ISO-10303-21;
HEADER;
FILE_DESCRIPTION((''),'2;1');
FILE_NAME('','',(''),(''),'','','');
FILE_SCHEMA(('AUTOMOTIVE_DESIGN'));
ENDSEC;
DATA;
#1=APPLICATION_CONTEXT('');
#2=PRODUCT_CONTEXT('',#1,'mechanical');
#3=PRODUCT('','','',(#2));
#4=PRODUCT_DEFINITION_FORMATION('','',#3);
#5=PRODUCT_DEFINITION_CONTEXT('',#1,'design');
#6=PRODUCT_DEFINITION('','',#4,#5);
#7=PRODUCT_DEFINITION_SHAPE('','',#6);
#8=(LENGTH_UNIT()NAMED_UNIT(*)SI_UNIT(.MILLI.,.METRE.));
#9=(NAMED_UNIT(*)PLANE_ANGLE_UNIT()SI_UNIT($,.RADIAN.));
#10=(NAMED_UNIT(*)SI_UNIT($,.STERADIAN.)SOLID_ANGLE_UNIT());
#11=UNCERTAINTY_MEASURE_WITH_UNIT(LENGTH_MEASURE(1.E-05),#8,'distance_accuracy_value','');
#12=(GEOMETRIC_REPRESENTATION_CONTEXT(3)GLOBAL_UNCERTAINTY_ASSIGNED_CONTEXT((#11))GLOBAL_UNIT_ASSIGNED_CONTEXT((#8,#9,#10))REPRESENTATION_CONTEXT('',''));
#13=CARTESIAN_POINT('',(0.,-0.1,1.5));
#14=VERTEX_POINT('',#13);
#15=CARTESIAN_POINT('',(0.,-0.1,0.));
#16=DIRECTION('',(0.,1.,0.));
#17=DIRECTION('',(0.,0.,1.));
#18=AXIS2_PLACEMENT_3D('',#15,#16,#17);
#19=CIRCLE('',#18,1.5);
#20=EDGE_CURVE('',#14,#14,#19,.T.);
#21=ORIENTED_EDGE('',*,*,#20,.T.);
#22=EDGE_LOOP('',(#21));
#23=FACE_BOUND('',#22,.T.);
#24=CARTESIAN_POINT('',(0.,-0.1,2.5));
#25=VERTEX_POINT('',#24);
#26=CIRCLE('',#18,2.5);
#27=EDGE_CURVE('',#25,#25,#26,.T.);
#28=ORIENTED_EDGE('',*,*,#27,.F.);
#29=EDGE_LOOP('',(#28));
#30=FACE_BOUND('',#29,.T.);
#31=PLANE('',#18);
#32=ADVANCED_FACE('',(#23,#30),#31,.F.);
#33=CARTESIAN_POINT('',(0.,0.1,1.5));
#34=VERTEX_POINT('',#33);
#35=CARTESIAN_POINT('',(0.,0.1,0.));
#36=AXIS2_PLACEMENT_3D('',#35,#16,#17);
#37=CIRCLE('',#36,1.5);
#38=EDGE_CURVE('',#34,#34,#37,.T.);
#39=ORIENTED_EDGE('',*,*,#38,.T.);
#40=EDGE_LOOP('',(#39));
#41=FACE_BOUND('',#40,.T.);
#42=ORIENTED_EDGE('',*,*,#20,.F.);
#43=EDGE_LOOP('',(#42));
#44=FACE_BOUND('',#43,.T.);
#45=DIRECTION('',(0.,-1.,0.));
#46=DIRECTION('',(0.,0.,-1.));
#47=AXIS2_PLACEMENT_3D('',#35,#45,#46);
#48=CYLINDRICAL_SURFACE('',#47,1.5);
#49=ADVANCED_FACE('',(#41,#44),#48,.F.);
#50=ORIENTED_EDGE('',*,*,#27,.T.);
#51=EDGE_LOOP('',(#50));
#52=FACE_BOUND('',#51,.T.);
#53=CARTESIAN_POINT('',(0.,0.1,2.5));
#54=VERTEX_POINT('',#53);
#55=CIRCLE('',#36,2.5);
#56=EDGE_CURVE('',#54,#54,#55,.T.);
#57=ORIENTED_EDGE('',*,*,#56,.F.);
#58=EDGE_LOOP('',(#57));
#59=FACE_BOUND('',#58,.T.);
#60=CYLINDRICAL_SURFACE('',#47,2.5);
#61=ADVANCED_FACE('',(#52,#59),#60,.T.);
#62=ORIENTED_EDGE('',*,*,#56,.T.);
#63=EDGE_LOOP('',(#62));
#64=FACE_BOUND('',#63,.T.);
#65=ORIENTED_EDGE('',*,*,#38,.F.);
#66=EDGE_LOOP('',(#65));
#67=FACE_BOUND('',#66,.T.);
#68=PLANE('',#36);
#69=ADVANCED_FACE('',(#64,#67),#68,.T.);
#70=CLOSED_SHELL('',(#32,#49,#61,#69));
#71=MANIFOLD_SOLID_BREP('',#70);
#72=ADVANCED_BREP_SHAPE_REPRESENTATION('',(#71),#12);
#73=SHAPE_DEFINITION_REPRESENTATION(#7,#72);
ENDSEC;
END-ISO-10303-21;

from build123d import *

# Parameters (mm, degrees)
SKETCH_3_R      = 2.5
SKETCH_3_R_2    = 1.5
EXTRUDE_1_DEPTH = 0.1


with BuildPart() as part:
    # 草图3 → 凸台-拉伸1 (new, symmetric)
    with BuildSketch(Plane(origin=(0, 0, 0), x_dir=(1, 0, 0), z_dir=(0, 1, 0))):
        with Locations(Location((0, 0, 0), (0, 0, 270))):
            Circle(SKETCH_3_R)
        with Locations(Location((0, 0, 0), (0, 0, 270))):
            Circle(SKETCH_3_R_2, mode=Mode.SUBTRACT)
    extrude(amount=EXTRUDE_1_DEPTH, both=True)


solid = part.part
